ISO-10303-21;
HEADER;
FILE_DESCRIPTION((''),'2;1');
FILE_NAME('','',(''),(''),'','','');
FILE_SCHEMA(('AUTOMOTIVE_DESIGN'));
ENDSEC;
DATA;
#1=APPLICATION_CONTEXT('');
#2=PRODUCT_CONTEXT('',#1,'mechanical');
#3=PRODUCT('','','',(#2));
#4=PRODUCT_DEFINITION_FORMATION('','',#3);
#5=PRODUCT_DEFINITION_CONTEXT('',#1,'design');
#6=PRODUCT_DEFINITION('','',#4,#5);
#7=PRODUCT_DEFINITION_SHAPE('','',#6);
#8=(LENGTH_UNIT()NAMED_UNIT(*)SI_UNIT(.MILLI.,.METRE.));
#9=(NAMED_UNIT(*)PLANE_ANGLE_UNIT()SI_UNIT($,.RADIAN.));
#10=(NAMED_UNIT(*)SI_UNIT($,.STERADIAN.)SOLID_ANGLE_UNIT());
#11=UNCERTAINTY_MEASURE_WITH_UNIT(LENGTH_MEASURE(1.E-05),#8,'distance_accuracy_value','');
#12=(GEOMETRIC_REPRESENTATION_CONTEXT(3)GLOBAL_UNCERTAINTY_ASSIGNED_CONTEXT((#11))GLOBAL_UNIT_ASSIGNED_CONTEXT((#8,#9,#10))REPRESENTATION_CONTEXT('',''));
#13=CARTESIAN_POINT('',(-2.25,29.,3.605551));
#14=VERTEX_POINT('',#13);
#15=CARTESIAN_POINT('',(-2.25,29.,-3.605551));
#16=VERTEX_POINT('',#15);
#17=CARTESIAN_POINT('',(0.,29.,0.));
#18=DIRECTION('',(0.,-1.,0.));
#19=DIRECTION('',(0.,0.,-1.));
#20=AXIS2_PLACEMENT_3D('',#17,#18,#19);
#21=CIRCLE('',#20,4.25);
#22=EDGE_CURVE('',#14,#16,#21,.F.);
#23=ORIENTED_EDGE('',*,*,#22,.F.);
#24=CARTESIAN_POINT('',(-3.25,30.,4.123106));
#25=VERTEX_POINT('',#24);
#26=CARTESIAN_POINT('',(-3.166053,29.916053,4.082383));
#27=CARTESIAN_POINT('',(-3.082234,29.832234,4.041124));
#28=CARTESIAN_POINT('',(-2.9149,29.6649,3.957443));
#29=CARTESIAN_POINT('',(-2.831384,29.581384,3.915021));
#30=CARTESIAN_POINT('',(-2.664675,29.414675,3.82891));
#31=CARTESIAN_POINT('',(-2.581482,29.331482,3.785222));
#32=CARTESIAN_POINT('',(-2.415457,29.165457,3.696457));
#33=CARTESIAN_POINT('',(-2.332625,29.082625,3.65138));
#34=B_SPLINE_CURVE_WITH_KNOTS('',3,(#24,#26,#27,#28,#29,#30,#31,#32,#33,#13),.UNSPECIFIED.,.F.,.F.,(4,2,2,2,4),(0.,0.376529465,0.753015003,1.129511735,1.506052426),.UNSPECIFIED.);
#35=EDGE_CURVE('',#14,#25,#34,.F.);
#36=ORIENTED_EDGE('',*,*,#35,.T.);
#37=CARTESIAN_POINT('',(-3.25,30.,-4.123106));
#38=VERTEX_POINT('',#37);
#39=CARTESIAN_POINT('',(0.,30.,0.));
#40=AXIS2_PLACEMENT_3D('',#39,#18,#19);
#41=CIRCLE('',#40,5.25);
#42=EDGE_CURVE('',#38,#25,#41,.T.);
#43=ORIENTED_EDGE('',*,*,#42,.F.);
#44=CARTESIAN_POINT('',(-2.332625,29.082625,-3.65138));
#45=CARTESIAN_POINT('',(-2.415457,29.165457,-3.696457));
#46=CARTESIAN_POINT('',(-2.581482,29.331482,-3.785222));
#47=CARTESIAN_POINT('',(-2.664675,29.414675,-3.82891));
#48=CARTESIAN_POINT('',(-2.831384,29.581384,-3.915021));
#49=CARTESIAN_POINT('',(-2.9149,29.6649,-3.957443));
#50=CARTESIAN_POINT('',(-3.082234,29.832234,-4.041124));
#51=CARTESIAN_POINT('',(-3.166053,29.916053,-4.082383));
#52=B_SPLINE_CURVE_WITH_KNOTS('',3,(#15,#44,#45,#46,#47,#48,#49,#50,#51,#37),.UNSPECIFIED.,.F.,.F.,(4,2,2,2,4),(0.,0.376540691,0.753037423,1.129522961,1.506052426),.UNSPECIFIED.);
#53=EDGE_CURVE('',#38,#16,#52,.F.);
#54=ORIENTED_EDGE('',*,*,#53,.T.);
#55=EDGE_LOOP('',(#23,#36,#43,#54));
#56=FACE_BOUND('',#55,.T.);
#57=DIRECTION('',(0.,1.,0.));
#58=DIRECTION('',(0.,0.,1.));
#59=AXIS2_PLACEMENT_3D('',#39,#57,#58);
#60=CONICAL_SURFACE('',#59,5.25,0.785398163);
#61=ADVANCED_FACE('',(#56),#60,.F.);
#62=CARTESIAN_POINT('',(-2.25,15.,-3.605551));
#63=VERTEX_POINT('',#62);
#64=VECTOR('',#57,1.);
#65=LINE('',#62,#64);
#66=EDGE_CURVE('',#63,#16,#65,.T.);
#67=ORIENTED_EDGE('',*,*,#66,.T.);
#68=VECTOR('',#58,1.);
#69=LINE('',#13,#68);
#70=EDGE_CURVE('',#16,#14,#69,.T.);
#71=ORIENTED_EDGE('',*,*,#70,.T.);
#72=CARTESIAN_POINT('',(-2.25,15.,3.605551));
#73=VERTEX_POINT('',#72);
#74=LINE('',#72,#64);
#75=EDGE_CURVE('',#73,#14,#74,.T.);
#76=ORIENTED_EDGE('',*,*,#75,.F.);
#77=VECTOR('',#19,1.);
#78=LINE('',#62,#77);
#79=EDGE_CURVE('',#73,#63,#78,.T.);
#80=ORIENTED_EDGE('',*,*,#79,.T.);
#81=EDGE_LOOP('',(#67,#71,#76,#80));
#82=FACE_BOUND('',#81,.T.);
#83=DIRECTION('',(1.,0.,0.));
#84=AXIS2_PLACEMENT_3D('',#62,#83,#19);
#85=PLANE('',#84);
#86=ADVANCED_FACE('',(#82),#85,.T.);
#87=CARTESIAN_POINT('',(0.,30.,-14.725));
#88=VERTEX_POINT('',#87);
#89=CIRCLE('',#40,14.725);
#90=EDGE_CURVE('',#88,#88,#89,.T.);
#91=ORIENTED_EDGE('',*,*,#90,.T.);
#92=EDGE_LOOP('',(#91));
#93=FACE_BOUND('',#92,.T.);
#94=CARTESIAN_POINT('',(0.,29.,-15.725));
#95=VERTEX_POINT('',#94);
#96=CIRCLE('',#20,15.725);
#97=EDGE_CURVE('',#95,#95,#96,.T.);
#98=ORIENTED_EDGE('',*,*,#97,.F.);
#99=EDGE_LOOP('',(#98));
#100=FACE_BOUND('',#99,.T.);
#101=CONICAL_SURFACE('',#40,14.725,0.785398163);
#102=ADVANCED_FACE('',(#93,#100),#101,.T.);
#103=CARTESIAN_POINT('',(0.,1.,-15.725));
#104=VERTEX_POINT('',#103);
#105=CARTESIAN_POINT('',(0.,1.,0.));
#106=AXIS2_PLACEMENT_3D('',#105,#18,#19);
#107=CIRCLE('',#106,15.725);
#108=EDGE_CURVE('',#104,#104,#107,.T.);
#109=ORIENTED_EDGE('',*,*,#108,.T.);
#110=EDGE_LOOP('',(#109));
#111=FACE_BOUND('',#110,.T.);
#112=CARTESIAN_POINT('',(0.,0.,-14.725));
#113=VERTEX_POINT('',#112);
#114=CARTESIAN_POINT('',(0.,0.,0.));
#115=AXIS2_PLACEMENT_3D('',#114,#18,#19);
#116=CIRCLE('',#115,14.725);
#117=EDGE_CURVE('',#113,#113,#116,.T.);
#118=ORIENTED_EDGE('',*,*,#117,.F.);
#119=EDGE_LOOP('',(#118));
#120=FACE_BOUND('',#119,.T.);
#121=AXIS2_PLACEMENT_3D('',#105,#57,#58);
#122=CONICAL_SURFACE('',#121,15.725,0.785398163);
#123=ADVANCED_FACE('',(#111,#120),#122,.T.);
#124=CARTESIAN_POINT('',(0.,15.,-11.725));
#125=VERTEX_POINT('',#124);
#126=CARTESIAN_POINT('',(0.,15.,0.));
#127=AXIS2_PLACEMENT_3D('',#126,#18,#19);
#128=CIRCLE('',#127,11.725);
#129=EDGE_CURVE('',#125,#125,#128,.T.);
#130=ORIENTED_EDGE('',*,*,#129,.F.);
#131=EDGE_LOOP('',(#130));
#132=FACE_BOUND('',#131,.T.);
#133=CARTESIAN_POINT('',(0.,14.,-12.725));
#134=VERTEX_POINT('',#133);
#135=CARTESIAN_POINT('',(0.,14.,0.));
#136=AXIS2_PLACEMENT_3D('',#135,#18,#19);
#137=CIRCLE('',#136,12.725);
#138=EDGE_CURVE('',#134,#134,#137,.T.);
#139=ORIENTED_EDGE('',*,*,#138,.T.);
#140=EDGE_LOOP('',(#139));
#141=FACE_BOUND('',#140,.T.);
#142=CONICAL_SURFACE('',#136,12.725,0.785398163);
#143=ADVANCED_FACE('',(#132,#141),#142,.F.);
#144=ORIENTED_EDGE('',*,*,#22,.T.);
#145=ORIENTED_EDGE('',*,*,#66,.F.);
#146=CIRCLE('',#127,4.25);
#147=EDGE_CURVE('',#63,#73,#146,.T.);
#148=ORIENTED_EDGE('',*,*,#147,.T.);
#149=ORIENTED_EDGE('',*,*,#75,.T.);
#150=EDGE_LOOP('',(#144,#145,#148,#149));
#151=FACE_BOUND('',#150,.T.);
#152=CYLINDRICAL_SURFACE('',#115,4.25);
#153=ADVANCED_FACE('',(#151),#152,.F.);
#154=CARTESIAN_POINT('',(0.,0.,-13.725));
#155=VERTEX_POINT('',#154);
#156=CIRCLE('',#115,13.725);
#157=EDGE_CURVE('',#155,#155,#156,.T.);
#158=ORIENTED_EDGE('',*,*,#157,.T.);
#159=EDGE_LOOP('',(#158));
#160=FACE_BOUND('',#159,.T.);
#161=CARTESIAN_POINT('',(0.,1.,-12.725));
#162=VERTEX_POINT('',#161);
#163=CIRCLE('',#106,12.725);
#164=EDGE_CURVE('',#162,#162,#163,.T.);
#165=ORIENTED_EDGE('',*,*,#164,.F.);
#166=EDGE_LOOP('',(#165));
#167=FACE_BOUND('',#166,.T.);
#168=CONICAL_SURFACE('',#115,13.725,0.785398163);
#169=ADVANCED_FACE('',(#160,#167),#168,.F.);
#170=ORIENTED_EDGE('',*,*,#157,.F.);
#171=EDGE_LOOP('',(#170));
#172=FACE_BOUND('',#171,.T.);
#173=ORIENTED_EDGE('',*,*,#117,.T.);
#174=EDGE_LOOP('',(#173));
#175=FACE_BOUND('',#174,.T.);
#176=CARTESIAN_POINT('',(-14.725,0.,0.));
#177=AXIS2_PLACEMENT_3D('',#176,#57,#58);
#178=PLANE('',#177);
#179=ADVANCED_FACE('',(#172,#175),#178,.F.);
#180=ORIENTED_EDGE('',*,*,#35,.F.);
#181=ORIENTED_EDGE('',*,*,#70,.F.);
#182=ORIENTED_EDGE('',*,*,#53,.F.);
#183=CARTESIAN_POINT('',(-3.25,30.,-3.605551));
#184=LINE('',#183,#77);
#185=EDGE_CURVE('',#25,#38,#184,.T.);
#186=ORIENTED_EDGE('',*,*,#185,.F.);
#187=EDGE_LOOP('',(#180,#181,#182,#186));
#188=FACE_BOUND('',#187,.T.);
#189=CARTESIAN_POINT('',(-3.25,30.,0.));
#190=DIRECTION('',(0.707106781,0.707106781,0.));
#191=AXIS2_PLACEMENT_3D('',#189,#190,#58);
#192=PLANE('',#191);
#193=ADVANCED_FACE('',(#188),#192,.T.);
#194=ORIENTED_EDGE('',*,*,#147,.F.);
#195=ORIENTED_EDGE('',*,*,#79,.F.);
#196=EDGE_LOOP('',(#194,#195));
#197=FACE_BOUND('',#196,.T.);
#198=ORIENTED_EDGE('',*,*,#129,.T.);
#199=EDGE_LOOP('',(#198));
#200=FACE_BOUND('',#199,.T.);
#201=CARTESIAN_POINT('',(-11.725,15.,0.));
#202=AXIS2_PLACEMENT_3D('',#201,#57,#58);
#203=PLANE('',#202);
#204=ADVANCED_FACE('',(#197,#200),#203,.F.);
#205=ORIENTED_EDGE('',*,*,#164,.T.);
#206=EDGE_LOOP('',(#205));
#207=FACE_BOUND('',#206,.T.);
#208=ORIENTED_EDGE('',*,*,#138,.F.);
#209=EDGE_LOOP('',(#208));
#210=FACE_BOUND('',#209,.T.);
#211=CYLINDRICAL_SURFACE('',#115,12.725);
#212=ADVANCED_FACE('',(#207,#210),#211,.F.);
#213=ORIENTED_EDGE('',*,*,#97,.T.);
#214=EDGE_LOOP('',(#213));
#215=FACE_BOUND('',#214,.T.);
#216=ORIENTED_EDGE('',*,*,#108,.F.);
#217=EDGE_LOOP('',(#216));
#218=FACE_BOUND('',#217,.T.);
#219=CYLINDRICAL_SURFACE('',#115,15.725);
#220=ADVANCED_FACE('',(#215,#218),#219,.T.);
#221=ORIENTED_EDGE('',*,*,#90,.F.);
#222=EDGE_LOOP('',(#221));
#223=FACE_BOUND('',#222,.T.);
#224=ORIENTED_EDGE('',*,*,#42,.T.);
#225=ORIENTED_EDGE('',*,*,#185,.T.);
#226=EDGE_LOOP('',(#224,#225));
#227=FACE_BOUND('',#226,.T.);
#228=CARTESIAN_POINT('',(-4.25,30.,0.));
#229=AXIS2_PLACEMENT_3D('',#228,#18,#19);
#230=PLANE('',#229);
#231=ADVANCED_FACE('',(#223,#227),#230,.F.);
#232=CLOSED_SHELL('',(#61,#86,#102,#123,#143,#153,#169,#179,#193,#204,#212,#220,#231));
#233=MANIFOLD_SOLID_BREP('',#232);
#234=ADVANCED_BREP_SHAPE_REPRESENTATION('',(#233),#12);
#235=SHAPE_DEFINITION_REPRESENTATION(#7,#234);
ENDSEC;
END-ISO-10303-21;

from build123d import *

# Parameters (mm, degrees)
CROQUIS3_W              = 4
CROQUIS3_H              = 7.21110255
SALIENTE_EXTRUIR1_DEPTH = 15
CHAFL_N1_SIZE           = 1


with BuildPart() as part:
    # Croquis2 → Revolución1 (revolve)
    with BuildSketch(Plane.XY):
        Polygon((-4.25, 30), (-14.725, 30), (-15.725, 29), (-15.725, 1), (-14.725, 0), (-13.725, 0), (-12.725, 1), (-12.725, 14), (-11.725, 15), (-4.25, 15), align=None)
    revolve(axis=Axis((0, 0, 0), (0, 1, 0)))

    # Croquis3 → Saliente-Extruir1 (add)
    with BuildSketch(Plane(origin=(0, 30, 0), x_dir=(1, 0, 0), z_dir=(0, 1, 0))):
        with Locations((-4.25, 0)):
            Rectangle(CROQUIS3_W, CROQUIS3_H)
    extrude(amount=-SALIENTE_EXTRUIR1_DEPTH)

    # Chaflán1
    chafl_n1_edges = [part.edges().sort_by_distance(p)[0] for p in [
        (4.25, 30, 0),
        (-2.25, 30, 0),
    ]]
    chamfer(chafl_n1_edges, length=CHAFL_N1_SIZE)


solid = part.part
